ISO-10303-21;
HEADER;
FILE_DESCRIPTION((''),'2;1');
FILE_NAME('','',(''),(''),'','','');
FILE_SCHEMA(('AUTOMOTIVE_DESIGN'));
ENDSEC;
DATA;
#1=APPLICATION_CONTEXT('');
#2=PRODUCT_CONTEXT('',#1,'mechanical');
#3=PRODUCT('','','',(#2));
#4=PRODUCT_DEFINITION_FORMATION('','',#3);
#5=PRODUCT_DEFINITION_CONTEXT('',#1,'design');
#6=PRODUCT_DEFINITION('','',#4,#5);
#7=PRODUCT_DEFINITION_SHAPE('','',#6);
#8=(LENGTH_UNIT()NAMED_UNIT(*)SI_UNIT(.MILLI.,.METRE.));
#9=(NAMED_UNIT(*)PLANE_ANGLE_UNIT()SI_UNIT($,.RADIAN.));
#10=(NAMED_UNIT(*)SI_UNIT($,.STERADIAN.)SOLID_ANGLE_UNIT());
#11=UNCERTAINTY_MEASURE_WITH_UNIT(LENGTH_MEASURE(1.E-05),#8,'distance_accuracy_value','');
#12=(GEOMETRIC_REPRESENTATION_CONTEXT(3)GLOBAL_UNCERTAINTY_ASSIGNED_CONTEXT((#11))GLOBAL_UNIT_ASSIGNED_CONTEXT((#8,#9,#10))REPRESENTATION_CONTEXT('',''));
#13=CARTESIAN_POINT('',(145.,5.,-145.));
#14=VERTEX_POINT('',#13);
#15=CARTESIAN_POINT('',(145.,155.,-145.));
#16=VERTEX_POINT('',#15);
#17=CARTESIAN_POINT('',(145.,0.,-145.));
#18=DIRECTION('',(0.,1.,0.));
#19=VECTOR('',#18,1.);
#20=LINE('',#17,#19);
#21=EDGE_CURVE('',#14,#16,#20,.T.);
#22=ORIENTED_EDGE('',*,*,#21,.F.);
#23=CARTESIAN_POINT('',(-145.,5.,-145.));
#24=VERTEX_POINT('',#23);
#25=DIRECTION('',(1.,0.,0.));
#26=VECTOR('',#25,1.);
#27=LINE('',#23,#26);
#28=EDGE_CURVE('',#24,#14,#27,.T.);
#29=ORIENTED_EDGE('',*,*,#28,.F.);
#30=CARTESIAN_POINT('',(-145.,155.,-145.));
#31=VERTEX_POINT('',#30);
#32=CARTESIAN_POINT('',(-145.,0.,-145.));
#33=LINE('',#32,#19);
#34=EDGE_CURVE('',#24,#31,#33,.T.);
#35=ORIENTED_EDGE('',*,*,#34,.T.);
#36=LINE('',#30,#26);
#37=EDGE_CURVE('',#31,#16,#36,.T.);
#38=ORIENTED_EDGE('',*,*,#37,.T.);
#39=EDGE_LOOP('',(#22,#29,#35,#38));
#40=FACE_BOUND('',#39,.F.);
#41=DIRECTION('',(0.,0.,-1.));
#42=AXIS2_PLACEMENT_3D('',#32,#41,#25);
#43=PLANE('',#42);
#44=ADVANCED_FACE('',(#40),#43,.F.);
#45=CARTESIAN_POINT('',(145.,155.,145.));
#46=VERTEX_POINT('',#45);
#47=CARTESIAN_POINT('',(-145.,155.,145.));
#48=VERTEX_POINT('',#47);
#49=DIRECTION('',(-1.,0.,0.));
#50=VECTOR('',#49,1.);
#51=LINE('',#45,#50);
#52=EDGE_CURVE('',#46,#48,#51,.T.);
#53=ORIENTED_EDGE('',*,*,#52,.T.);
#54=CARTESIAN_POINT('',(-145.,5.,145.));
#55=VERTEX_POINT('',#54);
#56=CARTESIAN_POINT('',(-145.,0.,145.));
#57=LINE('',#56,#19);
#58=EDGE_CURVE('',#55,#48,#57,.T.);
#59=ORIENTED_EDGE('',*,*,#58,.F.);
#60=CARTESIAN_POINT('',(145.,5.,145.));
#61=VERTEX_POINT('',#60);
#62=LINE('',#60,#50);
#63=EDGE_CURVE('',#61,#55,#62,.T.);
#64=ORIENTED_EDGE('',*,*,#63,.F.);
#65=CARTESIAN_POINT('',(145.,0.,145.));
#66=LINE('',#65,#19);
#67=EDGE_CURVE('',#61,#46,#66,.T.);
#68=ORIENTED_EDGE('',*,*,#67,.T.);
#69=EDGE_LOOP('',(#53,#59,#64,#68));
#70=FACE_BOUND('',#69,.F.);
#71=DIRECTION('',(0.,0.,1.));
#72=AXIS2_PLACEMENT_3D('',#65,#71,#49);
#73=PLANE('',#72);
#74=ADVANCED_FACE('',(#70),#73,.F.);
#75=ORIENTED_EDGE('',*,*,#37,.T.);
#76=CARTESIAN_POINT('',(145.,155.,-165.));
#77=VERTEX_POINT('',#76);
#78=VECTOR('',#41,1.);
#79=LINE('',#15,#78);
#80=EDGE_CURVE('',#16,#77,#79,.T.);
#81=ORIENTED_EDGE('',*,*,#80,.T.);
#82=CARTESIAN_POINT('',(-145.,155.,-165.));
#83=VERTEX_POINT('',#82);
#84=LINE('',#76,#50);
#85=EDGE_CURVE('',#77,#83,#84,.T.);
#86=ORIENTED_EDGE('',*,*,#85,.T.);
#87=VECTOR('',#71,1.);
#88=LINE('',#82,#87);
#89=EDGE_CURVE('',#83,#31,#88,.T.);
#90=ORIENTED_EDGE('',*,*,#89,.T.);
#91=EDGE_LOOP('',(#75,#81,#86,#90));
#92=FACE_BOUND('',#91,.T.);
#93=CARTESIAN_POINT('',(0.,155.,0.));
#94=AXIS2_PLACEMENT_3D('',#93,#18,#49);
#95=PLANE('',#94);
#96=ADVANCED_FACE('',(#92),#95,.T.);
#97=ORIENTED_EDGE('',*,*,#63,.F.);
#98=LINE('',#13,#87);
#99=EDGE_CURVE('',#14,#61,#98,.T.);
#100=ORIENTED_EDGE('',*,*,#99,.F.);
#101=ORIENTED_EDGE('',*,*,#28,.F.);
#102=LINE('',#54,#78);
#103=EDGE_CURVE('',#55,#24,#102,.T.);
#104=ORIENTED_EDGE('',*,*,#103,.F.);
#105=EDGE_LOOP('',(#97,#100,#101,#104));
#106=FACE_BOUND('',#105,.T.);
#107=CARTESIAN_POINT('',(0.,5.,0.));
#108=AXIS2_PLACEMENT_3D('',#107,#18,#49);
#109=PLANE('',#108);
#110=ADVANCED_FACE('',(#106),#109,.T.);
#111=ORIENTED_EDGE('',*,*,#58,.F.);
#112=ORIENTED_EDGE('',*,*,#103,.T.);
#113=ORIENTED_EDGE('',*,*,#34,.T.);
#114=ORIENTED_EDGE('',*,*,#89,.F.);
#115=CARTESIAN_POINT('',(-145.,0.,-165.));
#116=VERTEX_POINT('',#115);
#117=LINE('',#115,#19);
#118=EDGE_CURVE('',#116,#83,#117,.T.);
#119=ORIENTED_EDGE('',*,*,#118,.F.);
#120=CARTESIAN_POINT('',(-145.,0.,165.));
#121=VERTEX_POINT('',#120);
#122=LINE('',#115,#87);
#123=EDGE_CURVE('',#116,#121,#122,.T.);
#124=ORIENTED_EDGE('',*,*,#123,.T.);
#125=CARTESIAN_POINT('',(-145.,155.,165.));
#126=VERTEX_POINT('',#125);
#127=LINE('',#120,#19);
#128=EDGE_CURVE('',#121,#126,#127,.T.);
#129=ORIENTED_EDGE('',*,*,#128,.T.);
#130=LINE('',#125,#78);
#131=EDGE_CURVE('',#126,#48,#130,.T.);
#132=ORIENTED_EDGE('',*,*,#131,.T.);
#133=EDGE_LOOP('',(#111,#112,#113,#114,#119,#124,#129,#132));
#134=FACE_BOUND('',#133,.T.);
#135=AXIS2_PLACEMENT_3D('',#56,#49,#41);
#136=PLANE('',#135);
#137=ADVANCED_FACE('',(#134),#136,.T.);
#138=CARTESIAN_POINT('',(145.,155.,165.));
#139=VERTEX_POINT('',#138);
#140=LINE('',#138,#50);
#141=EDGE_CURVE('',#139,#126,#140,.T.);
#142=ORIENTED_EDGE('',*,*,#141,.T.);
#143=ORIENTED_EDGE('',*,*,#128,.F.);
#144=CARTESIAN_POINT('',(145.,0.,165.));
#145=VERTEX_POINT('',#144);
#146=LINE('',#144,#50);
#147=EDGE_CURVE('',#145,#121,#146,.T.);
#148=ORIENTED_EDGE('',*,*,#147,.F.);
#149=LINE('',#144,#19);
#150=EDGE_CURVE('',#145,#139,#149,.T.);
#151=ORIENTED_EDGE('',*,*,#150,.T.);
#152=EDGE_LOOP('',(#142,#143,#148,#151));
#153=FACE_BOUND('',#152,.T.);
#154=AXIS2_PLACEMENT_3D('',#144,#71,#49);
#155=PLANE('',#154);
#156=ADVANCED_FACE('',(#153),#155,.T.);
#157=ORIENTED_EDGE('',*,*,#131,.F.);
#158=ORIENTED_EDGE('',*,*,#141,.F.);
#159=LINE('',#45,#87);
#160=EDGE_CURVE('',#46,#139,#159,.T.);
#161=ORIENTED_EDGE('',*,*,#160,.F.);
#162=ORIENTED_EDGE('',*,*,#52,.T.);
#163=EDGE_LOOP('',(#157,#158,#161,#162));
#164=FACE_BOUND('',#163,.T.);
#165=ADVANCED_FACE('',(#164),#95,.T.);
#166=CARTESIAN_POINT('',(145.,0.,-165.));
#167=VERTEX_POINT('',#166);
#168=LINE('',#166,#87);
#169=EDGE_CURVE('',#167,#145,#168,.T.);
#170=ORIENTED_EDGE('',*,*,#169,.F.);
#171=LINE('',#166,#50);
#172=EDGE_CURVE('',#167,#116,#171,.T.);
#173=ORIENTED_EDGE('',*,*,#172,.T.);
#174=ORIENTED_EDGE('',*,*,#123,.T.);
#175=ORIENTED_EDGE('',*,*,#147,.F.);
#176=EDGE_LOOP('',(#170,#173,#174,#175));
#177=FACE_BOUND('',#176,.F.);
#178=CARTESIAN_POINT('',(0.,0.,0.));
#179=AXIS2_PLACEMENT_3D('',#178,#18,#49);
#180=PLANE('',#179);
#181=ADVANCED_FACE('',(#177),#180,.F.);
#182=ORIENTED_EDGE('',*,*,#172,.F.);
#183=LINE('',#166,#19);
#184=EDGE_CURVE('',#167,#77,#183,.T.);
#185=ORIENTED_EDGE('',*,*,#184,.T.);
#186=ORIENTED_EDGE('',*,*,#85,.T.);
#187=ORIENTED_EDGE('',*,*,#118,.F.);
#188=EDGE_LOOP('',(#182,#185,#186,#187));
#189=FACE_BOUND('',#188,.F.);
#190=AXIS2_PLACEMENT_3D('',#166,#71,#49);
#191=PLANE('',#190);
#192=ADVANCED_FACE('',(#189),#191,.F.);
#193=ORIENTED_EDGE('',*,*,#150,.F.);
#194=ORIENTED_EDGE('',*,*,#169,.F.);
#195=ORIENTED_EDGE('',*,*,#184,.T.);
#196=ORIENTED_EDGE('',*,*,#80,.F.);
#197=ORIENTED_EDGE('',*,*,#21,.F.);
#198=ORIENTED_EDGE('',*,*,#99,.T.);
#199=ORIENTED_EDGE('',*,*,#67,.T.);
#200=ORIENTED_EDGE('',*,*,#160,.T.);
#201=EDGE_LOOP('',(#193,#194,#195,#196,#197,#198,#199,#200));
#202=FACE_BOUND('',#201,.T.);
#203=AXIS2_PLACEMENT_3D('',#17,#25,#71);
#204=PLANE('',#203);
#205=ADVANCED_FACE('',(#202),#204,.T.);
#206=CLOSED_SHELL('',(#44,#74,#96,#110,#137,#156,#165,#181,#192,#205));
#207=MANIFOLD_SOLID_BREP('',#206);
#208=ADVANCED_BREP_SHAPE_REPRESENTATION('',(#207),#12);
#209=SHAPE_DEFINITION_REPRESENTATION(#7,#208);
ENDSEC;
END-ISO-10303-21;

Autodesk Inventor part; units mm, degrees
ref_plane "YZ Plane" through (0, 0, 0) normal (1, 0, 0) x (0, 1, 0)
ref_plane "XZ Plane" through (0, 0, 0) normal (0, 1, 0) x (-1, 0, 0)
ref_plane "XY Plane" through (0, 0, 0) normal (0, 0, 1) x (1, 0, 0)
sketch "Эскиз1" plane through (0, 0, 0) normal (0, 1, 0) x (-1, 0, 0)
  line L0 (-145, 145) -> (145, 145)
  line L1 (145, 145) -> (145, -145)
  line L2 (145, -145) -> (-145, -145)
  line L3 (-145, -145) -> (-145, 145)
  line L4 (145, 0) -> (-145, 0) construction
  line L5 (0, 145) -> (0, -145) construction
  line L6 (145, 145) -> (-145, 145)
  line L7 (-145, 145) -> (-145, 165)
  line L8 (-145, 165) -> (145, 165)
  line L9 (145, 165) -> (145, 145)
  line L10 (145, -145) -> (-145, -145)
  line L11 (-145, -145) -> (-145, -165)
  line L12 (-145, -165) -> (145, -165)
  line L13 (145, -165) -> (145, -145)
  point P0 (0, 0)
  point P1 (0, 0)
  dimension "d0" = 290
  dimension "d1" = 290
  dimension "d2" = 290
  dimension "d3" = 20
  dimension "d4" = 290
  dimension "d5" = 20
extrude "Выдавливание1" add sketch "Эскиз1" along normal blind 5 contours L0 L1 L2 L3
extrude "Выдавливание2" add sketch "Эскиз1" along normal blind 155 contours L7 L8 L9 L0 | L2 L13 L12 L11
sketch "Эскиз2" plane through (145, 5, 145) normal (0, 0, -1) x (-1, 0, 0)
  line L0 (0, -5) -> (0, 150) projected
  line L1 (0, -5) -> (290, -5)
  line L2 (290, -5) -> (290, 0)
  line L3 (290, 0) -> (0, 0)
  line L4 (0, 0) -> (0, -5)
  line L5 (145, 0) -> (145, 150) construction
  line L6 (290, 150) -> (0, 150) projected
  line L7 (145, 0) -> (145, 70) construction
  line L8 (145, 0) -> (145, 20) construction
  line L9 (145, 20) -> (0, 20)
  line L10 (0, 20) -> (0, 120)
  line L11 (0, 120) -> (145, 120)
  line L12 (145, 120) -> (145, 20)
  line L13 (145, 20) -> (290, 20)
  line L14 (290, 20) -> (290, 120)
  line L15 (290, 120) -> (145, 120)
  line L16 (145, 120) -> (145, 20)
  point P0 (145, -5)
  dimension "d10" = 290
  dimension "d11" = 5
  dimension "d12" = 70
  dimension "d13" = 20
  dimension "d14" = 145
  dimension "d15" = 100
  dimension "d16" = 145
  dimension "d17" = 100
properties part number "maze_test_course"
